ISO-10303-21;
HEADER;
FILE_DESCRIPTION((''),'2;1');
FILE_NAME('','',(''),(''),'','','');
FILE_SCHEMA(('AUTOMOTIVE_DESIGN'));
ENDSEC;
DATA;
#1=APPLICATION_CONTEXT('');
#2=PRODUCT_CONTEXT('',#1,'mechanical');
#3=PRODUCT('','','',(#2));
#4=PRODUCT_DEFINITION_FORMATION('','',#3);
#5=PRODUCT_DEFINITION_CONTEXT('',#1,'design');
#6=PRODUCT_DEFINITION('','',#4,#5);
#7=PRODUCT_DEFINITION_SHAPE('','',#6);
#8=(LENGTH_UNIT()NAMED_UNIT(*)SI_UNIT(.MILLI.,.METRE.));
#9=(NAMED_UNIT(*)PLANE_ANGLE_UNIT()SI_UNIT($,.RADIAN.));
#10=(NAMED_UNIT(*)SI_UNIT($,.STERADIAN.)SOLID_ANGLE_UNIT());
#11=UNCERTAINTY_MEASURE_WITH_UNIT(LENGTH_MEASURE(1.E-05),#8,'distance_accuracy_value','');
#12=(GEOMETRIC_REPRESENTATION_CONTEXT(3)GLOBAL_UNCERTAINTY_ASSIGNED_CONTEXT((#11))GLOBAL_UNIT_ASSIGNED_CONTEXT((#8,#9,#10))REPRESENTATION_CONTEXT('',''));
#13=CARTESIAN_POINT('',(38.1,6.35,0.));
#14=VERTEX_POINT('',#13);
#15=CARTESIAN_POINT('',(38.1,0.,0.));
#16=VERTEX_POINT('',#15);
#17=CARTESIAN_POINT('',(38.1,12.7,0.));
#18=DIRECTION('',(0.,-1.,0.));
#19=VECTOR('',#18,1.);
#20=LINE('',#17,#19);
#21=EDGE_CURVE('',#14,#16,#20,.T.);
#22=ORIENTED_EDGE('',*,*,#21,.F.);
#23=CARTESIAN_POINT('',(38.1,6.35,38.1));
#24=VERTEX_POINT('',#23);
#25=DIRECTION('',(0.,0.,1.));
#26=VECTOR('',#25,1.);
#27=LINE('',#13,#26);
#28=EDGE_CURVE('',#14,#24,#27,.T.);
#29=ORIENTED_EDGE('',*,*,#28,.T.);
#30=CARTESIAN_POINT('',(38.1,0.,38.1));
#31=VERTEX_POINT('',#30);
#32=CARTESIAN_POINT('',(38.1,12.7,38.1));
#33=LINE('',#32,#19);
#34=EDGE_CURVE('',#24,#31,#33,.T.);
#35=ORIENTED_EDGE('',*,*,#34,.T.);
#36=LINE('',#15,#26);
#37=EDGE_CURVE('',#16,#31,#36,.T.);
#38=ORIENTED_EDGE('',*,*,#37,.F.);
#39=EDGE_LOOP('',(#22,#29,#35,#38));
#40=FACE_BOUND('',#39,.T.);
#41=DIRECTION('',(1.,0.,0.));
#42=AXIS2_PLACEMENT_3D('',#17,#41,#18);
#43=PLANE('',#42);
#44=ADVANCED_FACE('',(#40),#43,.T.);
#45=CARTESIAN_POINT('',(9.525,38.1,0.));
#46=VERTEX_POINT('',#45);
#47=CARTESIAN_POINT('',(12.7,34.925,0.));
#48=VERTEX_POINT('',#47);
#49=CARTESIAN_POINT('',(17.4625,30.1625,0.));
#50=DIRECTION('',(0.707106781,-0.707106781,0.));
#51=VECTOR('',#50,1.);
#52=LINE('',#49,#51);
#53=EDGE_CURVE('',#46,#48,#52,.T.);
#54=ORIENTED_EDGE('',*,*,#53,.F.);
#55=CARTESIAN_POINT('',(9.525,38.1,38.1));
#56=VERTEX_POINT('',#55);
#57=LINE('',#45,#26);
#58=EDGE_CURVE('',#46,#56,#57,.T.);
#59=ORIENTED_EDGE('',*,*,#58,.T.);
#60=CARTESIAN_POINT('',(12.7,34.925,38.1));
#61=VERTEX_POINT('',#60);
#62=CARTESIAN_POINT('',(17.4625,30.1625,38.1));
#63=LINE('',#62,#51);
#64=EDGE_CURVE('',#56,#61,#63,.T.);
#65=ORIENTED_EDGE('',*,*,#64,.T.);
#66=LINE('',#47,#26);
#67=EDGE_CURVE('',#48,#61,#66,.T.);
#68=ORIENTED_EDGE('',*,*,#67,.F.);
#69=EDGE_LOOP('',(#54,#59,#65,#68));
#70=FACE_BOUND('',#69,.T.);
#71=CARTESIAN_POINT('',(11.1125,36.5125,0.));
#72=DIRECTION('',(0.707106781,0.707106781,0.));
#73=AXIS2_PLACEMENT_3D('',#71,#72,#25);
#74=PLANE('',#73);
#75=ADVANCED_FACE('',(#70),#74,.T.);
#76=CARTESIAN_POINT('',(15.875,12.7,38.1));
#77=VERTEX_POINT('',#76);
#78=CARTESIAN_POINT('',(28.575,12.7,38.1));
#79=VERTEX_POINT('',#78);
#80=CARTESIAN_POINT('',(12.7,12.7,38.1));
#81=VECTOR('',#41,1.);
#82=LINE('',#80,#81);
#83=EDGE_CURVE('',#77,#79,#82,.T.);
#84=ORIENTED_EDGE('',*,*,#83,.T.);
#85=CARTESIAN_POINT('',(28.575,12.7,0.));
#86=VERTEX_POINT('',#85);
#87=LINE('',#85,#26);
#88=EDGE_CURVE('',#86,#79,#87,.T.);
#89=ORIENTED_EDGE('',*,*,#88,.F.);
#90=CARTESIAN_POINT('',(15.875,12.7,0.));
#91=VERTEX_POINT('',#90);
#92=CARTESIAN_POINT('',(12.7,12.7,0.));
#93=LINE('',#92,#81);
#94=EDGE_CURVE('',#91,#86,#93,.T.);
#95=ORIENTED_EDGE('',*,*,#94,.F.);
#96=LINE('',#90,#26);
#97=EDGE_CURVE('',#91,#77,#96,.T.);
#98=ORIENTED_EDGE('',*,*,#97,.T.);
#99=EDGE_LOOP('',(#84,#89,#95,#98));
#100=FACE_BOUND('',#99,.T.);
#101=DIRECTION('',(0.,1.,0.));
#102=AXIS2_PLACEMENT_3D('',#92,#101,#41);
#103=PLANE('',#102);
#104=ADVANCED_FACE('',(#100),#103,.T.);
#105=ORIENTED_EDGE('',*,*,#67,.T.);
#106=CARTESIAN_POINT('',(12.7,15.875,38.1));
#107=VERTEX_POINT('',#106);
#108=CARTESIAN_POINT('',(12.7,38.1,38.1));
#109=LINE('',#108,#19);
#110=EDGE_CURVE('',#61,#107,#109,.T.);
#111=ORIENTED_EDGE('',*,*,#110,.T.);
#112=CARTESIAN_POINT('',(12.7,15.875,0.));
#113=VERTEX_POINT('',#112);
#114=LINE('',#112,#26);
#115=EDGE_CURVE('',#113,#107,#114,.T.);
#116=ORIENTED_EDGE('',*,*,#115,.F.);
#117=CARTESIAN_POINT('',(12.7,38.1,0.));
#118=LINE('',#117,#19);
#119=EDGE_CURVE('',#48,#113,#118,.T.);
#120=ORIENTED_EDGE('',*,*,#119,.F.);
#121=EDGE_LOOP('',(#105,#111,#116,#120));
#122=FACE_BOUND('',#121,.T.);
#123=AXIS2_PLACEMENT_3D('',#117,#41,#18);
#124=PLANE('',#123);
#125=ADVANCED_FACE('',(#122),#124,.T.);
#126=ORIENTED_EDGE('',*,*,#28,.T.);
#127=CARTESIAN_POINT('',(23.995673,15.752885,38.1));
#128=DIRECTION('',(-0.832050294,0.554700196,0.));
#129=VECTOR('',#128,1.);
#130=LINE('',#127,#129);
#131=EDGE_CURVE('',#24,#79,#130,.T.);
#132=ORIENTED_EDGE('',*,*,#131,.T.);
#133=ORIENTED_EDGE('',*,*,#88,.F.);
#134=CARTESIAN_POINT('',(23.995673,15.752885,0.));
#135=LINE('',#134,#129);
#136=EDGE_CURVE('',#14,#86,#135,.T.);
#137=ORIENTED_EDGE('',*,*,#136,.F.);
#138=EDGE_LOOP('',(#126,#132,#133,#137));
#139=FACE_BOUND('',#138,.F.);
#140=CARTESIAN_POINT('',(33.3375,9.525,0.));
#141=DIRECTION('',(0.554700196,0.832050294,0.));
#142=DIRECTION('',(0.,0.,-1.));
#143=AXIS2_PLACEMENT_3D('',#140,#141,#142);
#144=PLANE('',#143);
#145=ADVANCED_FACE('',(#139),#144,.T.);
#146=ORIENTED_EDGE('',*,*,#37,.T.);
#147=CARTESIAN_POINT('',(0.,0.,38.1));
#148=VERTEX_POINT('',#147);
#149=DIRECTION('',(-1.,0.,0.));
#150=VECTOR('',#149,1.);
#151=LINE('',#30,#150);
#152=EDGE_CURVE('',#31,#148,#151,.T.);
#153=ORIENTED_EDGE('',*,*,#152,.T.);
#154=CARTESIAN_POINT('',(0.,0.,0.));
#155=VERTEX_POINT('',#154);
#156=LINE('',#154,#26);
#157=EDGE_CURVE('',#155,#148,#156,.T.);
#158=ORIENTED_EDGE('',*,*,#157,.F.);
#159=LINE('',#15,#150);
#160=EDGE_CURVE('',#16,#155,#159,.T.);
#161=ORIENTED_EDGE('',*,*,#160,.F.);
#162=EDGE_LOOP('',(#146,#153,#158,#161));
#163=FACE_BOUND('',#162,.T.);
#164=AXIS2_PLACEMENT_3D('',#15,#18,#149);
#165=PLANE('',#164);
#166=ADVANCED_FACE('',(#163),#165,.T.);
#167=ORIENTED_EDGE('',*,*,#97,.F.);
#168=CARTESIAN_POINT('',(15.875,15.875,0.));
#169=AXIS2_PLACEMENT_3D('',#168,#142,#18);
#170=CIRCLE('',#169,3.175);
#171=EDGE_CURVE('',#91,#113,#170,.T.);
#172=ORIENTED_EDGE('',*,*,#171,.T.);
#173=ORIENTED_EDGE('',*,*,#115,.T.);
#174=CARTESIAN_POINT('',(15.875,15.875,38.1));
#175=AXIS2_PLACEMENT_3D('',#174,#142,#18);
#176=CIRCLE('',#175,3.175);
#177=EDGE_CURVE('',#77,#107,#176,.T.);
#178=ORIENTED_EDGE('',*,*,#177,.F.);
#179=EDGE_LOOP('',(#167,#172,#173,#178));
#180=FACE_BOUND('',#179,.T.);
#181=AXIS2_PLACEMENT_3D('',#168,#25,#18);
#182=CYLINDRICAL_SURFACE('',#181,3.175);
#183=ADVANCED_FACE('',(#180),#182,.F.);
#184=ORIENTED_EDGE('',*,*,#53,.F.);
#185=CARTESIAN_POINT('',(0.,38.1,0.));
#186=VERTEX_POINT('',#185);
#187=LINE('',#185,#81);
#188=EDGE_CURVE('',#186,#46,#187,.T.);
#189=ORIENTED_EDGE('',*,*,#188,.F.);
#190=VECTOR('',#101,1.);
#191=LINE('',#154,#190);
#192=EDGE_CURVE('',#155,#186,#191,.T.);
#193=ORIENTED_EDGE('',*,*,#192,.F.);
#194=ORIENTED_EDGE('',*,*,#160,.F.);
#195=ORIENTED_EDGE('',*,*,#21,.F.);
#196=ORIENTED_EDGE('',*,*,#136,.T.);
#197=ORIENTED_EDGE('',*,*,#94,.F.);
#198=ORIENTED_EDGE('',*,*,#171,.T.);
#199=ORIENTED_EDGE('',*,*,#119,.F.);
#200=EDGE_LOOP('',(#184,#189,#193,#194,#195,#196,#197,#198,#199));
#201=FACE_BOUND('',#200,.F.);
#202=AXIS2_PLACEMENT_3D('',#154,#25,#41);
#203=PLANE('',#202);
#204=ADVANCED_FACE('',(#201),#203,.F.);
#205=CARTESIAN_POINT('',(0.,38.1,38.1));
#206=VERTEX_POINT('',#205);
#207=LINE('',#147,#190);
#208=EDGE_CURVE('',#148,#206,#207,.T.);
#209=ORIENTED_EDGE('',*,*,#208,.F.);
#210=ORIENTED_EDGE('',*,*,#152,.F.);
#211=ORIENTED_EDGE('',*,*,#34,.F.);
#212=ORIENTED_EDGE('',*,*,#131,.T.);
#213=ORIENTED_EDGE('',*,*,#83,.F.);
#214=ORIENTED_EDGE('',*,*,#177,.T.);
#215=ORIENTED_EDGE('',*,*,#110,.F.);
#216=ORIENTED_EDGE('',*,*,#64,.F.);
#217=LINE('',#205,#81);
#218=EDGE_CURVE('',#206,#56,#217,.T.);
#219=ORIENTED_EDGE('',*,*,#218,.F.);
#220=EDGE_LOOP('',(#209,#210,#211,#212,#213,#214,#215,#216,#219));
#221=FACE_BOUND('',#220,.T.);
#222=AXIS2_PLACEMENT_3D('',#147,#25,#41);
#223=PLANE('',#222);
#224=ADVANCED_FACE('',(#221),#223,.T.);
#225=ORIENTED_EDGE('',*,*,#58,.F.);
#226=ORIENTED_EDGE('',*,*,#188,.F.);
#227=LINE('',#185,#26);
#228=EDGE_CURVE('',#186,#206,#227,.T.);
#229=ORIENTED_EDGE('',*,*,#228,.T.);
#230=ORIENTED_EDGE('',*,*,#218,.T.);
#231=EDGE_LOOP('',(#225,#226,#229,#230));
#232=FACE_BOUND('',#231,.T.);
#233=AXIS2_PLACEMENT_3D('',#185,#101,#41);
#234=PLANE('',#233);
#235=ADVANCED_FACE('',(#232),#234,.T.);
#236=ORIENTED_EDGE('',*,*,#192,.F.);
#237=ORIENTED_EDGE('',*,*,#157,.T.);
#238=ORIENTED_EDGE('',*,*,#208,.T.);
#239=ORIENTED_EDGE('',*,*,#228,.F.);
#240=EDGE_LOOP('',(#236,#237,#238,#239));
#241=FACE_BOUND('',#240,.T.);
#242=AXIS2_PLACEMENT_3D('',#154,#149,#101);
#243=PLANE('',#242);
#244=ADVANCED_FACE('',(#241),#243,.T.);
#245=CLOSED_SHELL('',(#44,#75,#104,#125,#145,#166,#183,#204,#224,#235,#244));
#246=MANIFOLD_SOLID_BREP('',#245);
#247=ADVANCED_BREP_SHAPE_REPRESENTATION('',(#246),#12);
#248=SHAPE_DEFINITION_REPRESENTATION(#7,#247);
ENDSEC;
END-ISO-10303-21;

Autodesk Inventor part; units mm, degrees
ref_plane "YZ Plane" through (0, 0, 0) normal (1, 0, 0) x (0, 1, 0)
ref_plane "XZ Plane" through (0, 0, 0) normal (0, 1, 0) x (-1, 0, 0)
ref_plane "XY Plane" through (0, 0, 0) normal (0, 0, 1) x (1, 0, 0)
sketch "Sketch1" plane through (0, 0, 0) normal (0, 0, 1) x (1, 0, 0)
  line L0 (0, 0) -> (0, 38.1)
  line L1 (0, 38.1) -> (12.7, 38.1)
  line L2 (12.7, 38.1) -> (12.7, 12.7)
  line L3 (12.7, 12.7) -> (38.1, 12.7)
  line L4 (38.1, 12.7) -> (38.1, 0)
  line L5 (38.1, 0) -> (0, 0)
  dimension "d0" = 38.1
  dimension "d1" = 12.7
  dimension "d2" = 25.4
  dimension "d3" = 25.4
  dimension "d4" = 12.7
extrude "Extrusion1" add sketch "Sketch1" along normal blind 38.1
chamfer "Chamfer1" distance 3.175 angle 45 1 edges at (12.7, 38.1, 19.05)
chamfer "Chamfer2" distance 6.35 distance2 9.525 1 edges at (38.1, 12.7, 19.05) measured on face at (38.1, 4.2333, 12.7)
fillet "Fillet2" radius 3.175 1 edges at (12.7, 12.7, 19.05)
properties part number "Practice 6"
